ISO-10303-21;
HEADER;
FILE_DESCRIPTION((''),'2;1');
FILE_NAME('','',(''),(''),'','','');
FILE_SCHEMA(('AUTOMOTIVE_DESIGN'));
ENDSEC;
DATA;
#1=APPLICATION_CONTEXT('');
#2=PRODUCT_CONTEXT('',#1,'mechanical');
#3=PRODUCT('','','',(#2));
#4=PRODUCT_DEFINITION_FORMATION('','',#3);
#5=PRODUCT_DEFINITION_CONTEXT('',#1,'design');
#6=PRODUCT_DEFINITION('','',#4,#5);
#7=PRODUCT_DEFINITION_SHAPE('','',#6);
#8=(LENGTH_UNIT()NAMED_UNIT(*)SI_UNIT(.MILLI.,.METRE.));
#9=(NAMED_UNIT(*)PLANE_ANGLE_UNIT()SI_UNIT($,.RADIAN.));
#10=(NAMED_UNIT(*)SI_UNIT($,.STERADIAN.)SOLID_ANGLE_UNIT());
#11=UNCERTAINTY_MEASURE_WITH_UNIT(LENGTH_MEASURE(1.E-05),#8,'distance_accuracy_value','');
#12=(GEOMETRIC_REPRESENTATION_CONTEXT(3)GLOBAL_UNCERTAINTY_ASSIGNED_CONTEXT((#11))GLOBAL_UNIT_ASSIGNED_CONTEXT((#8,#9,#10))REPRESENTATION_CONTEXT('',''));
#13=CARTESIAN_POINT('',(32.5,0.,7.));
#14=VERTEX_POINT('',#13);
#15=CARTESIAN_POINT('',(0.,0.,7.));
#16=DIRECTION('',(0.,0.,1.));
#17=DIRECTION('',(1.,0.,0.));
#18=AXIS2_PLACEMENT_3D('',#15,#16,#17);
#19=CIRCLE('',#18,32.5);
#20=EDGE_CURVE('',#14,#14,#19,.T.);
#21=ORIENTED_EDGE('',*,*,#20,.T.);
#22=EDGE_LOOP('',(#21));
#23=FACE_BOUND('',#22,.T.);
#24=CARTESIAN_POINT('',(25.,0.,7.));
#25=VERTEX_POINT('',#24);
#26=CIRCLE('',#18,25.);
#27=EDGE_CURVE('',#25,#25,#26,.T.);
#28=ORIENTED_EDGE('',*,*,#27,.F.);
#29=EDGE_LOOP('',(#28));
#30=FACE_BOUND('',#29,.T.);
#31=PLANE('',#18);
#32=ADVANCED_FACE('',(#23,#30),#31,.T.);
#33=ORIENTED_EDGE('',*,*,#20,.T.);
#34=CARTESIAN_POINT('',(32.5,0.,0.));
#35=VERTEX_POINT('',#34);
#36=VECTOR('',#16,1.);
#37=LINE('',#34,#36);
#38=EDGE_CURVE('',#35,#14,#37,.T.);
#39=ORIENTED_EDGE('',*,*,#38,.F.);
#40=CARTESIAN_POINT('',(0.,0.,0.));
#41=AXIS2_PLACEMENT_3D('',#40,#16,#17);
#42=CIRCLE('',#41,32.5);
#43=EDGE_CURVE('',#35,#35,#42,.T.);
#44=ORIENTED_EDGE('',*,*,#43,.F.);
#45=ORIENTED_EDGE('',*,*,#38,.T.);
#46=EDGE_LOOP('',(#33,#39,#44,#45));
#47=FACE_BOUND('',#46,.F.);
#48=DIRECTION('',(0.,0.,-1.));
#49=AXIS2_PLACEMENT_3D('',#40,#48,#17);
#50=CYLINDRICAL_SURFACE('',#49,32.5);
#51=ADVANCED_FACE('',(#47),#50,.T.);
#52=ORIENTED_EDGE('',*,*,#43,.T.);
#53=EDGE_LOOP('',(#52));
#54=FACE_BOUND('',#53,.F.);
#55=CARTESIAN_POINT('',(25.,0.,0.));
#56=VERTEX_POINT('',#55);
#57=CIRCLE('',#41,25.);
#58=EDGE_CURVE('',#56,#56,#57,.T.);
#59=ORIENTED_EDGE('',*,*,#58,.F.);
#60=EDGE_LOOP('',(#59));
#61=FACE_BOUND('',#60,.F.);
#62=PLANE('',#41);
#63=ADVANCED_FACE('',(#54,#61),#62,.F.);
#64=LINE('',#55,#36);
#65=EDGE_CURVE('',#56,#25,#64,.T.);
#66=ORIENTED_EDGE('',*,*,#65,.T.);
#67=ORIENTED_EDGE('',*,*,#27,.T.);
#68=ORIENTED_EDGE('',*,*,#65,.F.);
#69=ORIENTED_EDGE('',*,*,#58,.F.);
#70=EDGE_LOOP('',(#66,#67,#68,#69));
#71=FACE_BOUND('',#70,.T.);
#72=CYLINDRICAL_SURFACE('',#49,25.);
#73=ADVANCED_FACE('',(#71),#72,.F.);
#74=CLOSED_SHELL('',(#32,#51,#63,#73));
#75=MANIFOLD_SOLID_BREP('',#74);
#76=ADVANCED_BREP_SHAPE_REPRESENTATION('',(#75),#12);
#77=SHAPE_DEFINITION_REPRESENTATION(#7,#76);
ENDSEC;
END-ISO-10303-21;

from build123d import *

# Parameters (mm, degrees)
SKETCH_R   = 32.5
SKETCH_R_2 = 25
PAD_DEPTH  = 7


with BuildPart() as part:
    # Sketch → Pad (new body)
    with BuildSketch(Plane.XY):
        Circle(SKETCH_R)
        Circle(SKETCH_R_2, mode=Mode.SUBTRACT)
    extrude(amount=PAD_DEPTH)


solid = part.part
